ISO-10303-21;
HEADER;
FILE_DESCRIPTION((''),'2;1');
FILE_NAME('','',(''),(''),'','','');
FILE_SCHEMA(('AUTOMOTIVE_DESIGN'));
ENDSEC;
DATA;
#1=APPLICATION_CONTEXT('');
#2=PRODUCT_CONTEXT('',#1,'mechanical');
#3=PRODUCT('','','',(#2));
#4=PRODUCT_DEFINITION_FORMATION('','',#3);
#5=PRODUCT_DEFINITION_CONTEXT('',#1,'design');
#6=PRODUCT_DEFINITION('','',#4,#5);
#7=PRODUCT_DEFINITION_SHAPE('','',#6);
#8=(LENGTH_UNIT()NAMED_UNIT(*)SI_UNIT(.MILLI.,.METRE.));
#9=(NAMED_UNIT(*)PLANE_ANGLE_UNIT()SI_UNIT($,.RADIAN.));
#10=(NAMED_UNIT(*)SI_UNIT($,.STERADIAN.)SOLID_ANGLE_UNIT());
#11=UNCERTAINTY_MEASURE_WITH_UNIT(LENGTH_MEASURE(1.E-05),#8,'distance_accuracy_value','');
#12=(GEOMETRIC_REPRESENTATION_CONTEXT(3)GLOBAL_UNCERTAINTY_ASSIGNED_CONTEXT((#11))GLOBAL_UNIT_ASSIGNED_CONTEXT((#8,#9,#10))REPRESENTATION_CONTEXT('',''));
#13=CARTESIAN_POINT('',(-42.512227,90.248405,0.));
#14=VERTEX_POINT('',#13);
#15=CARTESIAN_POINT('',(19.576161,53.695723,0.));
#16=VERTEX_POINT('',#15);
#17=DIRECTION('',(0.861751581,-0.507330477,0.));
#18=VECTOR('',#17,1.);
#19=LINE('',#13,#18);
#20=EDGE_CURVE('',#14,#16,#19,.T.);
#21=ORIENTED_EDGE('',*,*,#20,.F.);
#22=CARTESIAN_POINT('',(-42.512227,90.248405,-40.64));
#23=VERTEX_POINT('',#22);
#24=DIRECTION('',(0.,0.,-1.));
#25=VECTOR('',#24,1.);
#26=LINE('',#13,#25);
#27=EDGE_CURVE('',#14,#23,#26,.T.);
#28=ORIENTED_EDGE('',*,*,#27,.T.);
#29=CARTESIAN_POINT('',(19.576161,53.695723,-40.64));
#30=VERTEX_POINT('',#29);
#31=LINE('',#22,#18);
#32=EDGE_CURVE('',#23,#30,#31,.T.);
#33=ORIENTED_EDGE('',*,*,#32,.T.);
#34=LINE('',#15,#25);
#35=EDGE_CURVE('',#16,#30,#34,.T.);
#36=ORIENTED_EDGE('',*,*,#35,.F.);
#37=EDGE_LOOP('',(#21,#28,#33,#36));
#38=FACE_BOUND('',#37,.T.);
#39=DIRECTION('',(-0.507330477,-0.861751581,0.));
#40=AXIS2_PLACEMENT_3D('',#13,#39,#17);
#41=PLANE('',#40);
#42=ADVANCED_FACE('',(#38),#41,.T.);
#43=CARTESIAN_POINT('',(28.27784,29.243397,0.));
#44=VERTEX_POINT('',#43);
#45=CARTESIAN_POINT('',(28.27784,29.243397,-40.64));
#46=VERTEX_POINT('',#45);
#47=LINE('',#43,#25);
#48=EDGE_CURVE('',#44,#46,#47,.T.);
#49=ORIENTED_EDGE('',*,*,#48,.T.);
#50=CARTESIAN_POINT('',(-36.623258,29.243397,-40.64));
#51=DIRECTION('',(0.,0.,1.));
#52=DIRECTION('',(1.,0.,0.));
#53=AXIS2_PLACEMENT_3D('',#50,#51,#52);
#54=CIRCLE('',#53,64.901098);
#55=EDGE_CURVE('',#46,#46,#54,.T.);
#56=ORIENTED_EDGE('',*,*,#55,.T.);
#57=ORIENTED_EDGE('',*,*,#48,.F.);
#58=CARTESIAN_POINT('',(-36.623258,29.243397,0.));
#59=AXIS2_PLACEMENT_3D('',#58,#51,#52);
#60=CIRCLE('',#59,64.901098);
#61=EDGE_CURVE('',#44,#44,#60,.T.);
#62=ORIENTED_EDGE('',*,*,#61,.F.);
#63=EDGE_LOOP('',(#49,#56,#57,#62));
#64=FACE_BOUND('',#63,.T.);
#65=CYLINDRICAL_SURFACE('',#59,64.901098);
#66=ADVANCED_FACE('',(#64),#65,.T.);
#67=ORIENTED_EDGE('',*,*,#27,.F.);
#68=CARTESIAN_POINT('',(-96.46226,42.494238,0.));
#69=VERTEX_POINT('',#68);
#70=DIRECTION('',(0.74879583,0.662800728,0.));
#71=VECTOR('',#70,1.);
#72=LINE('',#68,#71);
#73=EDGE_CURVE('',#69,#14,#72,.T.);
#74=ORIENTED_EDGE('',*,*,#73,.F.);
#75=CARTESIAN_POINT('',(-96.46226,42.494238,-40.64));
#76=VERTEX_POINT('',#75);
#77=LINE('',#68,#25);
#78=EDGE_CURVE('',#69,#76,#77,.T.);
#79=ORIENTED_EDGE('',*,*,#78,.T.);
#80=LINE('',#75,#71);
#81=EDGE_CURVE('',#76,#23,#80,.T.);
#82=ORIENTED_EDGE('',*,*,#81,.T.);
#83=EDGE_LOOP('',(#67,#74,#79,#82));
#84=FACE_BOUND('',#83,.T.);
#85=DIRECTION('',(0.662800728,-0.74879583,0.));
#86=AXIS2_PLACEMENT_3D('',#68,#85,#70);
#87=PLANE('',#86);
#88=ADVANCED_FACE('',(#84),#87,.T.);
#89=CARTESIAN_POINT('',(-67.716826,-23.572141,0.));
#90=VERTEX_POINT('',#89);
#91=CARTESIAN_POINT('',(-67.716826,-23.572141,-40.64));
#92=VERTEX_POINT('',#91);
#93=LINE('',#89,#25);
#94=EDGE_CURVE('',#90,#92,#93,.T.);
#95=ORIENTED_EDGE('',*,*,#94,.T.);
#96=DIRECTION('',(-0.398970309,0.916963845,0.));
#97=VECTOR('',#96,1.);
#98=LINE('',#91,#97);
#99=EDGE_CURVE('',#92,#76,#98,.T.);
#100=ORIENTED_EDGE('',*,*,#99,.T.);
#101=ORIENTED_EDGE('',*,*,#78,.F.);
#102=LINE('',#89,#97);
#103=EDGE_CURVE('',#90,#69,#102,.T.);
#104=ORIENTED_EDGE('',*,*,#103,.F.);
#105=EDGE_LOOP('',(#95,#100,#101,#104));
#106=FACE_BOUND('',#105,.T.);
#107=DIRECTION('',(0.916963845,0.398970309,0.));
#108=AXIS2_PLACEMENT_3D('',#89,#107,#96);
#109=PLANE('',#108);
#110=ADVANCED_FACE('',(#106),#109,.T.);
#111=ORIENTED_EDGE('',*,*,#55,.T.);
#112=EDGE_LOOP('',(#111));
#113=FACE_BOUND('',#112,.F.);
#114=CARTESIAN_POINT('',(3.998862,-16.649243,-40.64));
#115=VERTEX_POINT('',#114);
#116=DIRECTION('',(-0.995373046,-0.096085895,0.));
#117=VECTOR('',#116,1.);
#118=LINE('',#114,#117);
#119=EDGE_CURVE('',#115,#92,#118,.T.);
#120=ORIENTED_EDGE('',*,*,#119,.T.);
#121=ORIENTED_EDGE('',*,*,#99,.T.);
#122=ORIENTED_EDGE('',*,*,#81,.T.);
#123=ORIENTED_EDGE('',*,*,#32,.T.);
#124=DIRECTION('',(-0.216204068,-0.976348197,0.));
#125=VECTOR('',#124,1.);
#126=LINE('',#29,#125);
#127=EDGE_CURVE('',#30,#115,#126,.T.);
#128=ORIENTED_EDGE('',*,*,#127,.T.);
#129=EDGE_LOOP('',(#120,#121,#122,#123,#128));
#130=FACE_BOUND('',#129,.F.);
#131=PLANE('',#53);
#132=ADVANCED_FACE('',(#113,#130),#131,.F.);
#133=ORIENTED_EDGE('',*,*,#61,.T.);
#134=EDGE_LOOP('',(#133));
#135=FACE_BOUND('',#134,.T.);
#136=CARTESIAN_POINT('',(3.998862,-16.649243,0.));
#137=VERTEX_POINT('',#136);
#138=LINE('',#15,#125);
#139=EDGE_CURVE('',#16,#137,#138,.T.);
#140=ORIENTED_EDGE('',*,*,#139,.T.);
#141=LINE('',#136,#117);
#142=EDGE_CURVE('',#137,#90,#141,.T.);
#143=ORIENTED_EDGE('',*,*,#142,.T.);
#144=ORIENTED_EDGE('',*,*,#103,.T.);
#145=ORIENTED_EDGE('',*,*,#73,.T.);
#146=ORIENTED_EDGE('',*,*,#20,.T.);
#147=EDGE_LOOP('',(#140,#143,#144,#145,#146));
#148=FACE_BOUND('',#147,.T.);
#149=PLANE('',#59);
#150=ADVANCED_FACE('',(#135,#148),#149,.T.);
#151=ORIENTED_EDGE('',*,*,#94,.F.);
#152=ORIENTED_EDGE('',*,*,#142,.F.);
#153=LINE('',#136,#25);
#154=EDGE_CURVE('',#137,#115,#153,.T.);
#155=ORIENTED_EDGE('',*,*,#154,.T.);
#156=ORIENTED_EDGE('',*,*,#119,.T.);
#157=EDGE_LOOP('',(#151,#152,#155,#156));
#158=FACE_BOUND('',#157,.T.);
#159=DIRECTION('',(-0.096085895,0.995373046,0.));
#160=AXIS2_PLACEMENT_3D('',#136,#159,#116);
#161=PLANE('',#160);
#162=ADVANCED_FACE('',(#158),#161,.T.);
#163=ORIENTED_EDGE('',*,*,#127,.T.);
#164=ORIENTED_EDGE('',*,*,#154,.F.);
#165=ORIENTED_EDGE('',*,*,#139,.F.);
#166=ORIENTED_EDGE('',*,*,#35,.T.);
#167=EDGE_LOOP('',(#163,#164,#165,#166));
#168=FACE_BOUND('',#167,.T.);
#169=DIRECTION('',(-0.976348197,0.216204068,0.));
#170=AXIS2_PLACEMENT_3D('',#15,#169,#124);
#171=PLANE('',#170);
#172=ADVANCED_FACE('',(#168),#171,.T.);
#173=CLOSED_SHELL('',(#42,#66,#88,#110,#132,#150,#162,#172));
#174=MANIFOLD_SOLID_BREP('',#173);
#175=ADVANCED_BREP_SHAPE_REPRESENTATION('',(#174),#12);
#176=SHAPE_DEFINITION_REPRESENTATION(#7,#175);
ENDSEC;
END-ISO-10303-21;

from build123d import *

# Parameters (mm, degrees)
F0_R     = 64.901098
F1_DEPTH = 40.64


with BuildPart() as f1:
    # F0 (on Top) → F1 (new body)
    with BuildSketch(Plane.XY):
        with Locations((-36.623258, 29.243397)):
            Circle(F0_R)
        Polygon((-67.716826, -23.572141), (-96.46226, 42.494238), (-42.512227, 90.248405), (19.576161, 53.695723), (3.998862, -16.649243), align=None, mode=Mode.SUBTRACT)
    extrude(amount=-F1_DEPTH)


solid = f1.part
